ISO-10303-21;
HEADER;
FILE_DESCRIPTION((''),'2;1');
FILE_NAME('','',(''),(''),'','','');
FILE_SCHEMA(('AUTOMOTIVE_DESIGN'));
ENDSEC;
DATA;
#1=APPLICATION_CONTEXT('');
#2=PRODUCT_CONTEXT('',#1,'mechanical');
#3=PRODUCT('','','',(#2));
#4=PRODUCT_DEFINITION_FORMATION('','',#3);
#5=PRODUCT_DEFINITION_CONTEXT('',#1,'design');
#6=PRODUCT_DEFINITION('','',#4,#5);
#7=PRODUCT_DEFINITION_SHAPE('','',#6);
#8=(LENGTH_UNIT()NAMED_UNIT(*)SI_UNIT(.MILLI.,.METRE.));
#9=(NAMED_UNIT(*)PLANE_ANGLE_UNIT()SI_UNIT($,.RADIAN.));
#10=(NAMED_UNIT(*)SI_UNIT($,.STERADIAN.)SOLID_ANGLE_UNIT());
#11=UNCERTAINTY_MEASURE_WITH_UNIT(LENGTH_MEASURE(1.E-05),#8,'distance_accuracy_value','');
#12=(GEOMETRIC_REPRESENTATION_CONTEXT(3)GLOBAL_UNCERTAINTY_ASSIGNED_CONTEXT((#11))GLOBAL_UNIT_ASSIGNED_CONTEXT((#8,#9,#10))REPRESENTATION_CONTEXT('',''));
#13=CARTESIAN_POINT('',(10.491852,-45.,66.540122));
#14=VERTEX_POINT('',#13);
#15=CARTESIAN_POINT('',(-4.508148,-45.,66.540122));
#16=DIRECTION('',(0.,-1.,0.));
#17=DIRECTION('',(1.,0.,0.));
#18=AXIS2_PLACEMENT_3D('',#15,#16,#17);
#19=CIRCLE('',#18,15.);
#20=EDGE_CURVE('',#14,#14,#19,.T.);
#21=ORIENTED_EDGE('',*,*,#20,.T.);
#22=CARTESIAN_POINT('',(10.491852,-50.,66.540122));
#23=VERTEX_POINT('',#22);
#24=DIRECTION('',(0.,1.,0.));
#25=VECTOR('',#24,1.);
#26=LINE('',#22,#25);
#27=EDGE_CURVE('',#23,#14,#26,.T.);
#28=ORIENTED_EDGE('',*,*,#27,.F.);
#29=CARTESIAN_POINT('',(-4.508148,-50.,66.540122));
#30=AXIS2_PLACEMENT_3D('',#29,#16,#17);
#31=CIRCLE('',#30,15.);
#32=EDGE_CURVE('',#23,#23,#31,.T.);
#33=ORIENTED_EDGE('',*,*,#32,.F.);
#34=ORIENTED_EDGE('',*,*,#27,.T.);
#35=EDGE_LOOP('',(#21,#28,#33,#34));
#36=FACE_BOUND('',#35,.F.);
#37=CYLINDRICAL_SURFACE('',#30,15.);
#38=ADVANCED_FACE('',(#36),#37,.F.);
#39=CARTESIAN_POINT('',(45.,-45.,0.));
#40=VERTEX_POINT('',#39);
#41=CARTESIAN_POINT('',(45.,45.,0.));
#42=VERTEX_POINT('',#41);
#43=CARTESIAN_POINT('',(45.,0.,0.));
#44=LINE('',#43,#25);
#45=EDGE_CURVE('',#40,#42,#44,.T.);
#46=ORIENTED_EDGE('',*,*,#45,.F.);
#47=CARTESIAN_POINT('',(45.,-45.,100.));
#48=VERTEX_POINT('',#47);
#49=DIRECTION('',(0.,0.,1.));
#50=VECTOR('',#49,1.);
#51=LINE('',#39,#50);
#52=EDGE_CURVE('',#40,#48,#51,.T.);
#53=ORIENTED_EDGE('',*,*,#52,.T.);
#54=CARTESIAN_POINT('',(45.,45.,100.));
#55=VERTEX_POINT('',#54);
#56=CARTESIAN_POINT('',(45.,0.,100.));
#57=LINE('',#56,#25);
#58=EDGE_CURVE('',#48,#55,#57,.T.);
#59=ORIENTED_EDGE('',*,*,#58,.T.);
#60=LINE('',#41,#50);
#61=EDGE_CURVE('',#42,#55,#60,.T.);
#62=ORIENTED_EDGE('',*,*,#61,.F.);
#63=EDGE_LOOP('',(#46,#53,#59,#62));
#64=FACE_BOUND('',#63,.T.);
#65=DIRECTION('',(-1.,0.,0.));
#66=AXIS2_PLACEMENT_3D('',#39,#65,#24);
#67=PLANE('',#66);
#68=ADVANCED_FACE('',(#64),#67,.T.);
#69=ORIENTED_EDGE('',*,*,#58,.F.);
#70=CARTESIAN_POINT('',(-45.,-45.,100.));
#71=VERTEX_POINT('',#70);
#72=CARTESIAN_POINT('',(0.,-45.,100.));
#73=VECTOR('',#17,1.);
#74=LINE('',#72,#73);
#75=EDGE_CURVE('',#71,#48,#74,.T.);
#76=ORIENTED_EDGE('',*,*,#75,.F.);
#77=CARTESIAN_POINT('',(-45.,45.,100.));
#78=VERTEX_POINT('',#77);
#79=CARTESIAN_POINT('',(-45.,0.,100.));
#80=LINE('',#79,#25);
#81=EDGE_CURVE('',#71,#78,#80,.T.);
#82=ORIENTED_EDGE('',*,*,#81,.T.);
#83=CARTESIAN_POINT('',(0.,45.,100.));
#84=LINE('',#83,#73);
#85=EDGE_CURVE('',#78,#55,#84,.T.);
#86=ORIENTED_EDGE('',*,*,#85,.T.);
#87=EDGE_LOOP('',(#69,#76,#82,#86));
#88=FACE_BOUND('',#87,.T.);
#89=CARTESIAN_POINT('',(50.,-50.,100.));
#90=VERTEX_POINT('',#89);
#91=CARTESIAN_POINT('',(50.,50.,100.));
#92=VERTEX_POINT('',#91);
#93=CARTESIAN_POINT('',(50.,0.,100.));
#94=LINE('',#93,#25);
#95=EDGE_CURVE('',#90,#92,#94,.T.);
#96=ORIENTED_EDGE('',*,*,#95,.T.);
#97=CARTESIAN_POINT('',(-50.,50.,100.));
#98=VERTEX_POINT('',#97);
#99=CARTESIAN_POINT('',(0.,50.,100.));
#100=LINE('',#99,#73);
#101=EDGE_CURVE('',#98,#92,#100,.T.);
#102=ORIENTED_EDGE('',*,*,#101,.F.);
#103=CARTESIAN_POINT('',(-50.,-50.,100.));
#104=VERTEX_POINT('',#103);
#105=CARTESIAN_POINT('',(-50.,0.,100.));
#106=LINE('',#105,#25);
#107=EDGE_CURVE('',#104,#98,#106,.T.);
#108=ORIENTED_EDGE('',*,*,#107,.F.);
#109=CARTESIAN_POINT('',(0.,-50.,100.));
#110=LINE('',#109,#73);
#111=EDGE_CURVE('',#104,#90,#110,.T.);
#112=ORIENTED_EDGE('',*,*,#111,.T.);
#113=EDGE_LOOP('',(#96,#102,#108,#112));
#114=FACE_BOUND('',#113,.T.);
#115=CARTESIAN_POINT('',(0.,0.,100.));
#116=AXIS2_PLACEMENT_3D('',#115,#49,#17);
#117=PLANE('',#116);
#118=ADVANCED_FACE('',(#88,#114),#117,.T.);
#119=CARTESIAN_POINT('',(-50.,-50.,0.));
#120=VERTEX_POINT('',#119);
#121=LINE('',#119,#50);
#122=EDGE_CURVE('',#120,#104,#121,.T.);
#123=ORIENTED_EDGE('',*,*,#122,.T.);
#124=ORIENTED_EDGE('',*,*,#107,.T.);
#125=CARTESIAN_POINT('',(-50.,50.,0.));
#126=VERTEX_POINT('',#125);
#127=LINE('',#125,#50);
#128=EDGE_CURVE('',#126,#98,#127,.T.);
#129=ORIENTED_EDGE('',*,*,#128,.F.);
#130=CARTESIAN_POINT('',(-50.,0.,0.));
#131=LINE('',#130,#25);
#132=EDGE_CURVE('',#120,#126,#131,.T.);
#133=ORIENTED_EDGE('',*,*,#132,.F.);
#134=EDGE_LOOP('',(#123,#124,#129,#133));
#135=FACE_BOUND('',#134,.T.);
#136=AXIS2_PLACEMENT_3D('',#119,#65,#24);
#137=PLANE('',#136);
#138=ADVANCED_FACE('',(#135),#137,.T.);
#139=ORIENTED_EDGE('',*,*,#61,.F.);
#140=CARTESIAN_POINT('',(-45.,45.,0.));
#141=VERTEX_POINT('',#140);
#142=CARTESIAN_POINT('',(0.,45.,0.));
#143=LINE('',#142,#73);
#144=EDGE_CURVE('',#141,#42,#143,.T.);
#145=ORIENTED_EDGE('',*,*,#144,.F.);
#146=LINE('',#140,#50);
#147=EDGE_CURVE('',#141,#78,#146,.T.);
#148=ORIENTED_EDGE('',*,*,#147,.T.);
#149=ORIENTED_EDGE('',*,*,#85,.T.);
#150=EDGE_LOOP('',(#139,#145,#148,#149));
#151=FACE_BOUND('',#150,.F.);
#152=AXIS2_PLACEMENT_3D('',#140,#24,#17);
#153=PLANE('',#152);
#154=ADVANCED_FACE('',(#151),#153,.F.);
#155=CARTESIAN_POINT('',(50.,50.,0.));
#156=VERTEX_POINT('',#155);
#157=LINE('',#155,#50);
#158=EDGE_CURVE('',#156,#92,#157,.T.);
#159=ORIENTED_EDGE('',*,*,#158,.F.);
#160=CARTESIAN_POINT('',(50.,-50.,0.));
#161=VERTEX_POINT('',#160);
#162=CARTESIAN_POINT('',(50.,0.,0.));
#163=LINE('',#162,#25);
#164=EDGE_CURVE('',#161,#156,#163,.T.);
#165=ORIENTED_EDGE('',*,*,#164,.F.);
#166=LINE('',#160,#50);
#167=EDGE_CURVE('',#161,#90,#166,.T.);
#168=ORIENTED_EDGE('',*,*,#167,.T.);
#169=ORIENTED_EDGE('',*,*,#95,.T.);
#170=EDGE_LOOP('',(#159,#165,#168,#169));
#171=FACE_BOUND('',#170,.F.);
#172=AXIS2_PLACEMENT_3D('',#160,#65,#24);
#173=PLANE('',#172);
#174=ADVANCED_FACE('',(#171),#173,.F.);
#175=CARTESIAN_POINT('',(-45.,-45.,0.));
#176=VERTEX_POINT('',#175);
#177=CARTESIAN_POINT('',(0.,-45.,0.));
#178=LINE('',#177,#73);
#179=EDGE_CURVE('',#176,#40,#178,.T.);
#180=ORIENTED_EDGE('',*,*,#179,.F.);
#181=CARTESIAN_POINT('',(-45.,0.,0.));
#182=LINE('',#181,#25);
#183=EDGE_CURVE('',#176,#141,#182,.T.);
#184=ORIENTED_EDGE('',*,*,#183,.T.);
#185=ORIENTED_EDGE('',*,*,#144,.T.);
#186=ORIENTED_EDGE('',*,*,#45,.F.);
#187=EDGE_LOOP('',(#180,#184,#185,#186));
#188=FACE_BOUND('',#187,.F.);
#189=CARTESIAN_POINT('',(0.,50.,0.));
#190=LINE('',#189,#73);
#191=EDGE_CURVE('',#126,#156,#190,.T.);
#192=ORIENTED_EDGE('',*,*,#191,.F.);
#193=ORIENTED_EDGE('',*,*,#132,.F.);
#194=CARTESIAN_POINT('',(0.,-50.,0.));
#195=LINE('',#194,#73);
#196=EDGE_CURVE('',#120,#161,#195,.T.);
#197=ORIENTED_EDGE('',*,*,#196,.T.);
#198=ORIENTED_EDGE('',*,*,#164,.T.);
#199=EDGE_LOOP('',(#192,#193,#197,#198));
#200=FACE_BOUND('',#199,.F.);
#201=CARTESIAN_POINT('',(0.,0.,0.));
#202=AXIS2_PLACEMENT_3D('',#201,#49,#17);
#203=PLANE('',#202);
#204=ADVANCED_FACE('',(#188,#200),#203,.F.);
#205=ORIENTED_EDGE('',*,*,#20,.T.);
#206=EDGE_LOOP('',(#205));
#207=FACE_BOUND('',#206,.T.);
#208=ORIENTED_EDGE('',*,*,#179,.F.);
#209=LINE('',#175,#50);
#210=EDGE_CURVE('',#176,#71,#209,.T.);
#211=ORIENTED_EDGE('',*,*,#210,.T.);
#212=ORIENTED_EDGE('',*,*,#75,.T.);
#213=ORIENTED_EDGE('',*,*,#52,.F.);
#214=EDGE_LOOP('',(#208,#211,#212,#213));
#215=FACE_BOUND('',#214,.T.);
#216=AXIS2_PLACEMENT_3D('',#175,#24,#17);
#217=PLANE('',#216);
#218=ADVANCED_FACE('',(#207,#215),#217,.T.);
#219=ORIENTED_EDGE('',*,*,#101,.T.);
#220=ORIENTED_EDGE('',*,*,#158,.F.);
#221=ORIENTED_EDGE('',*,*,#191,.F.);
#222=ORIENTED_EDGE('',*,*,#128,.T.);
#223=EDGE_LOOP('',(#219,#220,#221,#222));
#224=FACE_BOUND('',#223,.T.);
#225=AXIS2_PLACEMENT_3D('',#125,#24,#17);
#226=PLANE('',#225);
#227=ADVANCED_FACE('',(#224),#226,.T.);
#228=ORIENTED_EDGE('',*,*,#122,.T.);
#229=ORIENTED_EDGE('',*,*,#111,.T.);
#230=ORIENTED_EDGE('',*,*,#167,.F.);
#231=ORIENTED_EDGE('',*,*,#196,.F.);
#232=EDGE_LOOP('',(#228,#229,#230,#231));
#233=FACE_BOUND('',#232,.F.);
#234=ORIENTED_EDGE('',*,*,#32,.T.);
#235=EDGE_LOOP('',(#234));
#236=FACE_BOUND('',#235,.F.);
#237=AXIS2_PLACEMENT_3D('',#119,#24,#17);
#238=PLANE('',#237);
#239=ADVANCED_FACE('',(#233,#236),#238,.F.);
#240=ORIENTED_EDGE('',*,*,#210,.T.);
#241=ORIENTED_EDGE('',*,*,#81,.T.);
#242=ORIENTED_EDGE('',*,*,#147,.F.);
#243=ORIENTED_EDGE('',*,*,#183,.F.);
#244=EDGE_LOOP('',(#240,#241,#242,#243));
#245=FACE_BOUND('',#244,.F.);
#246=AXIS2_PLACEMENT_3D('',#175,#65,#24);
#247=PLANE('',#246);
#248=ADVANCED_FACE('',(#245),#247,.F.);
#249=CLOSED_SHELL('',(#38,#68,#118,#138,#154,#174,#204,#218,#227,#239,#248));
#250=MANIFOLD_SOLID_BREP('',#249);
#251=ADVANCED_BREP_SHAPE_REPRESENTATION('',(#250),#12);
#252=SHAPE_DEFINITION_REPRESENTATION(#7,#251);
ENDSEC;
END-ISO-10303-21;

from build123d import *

# Parameters (mm, degrees)
F0_W     = 100
F0_H     = 100
F0_W_2   = 90
F0_H_2   = 90
F1_DEPTH = 100
F2_R     = 15
F3_DEPTH = 10
F4_R     = 15
F5_DEPTH = 25


with BuildPart() as f1:
    # F0 (on Top) → F1 (new body)
    with BuildSketch(Plane.XY):
        Rectangle(F0_W, F0_H)
        Rectangle(F0_W_2, F0_H_2, mode=Mode.SUBTRACT)
    extrude(amount=F1_DEPTH)

    # F2 (on face) → F3 (cut)
    with BuildSketch(Plane.XZ.offset(50)):
        with Locations((-4.887418, 68.32698)):
            Circle(F2_R)
    extrude(amount=F3_DEPTH, mode=Mode.SUBTRACT)

    # F4 (on face) → F5 (cut)
    with BuildSketch(Plane.XZ.offset(50)):
        with Locations((-4.508148, 66.540122)):
            Circle(F4_R)
    extrude(amount=-F5_DEPTH, mode=Mode.SUBTRACT)


solid = f1.part
